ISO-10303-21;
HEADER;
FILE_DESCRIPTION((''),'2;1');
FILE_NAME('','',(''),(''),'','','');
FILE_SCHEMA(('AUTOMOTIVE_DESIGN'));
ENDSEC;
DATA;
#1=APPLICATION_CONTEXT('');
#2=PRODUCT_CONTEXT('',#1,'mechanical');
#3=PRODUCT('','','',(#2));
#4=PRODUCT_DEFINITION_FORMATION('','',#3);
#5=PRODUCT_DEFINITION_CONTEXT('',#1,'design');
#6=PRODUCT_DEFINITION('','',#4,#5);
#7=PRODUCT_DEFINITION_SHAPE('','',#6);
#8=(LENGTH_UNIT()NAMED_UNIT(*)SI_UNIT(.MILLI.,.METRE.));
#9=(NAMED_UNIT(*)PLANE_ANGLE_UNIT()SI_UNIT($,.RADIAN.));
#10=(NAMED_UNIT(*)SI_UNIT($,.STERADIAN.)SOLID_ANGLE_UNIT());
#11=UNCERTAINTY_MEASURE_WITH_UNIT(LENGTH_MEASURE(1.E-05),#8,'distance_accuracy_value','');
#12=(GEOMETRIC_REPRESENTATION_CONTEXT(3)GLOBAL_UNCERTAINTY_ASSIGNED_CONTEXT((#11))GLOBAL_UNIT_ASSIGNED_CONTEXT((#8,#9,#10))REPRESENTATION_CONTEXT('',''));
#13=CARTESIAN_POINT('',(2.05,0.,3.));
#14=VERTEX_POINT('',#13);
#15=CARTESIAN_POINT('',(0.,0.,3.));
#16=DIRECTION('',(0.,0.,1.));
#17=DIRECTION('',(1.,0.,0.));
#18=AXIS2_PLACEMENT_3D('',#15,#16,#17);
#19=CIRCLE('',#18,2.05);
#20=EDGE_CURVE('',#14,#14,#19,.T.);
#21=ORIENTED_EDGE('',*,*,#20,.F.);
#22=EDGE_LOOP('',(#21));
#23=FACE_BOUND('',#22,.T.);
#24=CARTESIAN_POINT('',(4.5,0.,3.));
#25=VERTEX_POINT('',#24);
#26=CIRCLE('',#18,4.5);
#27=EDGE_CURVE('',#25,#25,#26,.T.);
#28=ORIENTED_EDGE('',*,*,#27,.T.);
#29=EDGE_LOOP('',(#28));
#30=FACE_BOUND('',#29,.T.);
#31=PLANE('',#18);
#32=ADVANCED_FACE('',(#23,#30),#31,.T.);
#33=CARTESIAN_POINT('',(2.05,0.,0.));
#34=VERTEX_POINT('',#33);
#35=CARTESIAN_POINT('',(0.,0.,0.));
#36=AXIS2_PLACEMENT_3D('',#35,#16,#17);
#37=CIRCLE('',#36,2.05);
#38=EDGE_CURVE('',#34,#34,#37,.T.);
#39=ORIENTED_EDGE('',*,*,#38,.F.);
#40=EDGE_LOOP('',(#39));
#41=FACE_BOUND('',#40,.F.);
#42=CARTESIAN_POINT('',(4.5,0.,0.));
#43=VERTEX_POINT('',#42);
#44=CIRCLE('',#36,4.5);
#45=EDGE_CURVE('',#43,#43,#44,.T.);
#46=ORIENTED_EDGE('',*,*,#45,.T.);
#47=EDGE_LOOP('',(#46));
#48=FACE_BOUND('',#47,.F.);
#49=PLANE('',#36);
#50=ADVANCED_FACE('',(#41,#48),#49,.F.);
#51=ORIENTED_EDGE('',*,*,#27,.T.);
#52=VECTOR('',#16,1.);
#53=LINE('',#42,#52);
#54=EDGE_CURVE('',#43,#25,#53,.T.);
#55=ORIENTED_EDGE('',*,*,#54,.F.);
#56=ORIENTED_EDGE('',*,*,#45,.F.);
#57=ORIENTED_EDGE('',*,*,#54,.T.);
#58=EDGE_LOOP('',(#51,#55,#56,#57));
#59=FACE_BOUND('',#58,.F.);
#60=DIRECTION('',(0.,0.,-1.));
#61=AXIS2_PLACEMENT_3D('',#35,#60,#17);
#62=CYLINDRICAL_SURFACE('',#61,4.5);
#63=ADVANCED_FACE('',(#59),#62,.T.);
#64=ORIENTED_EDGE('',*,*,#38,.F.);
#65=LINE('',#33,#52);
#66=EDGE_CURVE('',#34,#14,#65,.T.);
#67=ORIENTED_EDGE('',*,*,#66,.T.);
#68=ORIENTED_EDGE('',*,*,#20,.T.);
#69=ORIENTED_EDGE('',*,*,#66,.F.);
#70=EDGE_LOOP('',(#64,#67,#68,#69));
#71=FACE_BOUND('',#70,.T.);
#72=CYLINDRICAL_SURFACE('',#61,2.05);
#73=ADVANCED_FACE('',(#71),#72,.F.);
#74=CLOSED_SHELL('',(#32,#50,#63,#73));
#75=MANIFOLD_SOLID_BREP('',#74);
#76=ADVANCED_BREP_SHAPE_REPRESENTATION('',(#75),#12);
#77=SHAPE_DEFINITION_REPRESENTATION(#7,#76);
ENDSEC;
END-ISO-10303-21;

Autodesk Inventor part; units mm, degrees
ref_plane "YZ Plane" through (0, 0, 0) normal (1, 0, 0) x (0, 1, 0)
ref_plane "XZ Plane" through (0, 0, 0) normal (0, 1, 0) x (-1, 0, 0)
ref_plane "XY Plane" through (0, 0, 0) normal (0, 0, 1) x (1, 0, 0)
sketch "Szkic1" plane through (0, 0, 0) normal (0, 0, 1) x (1, 0, 0)
  circle A0 centre (0, 0) radius 2.05
  circle A1 centre (0, 0) radius 4.5
  dimension "d0" = 4.1
  dimension "d4" = 9
extrude "Wyciągnięcie proste1" add sketch "Szkic1" along normal blind 3
properties part number "TulejaKołoV1"
